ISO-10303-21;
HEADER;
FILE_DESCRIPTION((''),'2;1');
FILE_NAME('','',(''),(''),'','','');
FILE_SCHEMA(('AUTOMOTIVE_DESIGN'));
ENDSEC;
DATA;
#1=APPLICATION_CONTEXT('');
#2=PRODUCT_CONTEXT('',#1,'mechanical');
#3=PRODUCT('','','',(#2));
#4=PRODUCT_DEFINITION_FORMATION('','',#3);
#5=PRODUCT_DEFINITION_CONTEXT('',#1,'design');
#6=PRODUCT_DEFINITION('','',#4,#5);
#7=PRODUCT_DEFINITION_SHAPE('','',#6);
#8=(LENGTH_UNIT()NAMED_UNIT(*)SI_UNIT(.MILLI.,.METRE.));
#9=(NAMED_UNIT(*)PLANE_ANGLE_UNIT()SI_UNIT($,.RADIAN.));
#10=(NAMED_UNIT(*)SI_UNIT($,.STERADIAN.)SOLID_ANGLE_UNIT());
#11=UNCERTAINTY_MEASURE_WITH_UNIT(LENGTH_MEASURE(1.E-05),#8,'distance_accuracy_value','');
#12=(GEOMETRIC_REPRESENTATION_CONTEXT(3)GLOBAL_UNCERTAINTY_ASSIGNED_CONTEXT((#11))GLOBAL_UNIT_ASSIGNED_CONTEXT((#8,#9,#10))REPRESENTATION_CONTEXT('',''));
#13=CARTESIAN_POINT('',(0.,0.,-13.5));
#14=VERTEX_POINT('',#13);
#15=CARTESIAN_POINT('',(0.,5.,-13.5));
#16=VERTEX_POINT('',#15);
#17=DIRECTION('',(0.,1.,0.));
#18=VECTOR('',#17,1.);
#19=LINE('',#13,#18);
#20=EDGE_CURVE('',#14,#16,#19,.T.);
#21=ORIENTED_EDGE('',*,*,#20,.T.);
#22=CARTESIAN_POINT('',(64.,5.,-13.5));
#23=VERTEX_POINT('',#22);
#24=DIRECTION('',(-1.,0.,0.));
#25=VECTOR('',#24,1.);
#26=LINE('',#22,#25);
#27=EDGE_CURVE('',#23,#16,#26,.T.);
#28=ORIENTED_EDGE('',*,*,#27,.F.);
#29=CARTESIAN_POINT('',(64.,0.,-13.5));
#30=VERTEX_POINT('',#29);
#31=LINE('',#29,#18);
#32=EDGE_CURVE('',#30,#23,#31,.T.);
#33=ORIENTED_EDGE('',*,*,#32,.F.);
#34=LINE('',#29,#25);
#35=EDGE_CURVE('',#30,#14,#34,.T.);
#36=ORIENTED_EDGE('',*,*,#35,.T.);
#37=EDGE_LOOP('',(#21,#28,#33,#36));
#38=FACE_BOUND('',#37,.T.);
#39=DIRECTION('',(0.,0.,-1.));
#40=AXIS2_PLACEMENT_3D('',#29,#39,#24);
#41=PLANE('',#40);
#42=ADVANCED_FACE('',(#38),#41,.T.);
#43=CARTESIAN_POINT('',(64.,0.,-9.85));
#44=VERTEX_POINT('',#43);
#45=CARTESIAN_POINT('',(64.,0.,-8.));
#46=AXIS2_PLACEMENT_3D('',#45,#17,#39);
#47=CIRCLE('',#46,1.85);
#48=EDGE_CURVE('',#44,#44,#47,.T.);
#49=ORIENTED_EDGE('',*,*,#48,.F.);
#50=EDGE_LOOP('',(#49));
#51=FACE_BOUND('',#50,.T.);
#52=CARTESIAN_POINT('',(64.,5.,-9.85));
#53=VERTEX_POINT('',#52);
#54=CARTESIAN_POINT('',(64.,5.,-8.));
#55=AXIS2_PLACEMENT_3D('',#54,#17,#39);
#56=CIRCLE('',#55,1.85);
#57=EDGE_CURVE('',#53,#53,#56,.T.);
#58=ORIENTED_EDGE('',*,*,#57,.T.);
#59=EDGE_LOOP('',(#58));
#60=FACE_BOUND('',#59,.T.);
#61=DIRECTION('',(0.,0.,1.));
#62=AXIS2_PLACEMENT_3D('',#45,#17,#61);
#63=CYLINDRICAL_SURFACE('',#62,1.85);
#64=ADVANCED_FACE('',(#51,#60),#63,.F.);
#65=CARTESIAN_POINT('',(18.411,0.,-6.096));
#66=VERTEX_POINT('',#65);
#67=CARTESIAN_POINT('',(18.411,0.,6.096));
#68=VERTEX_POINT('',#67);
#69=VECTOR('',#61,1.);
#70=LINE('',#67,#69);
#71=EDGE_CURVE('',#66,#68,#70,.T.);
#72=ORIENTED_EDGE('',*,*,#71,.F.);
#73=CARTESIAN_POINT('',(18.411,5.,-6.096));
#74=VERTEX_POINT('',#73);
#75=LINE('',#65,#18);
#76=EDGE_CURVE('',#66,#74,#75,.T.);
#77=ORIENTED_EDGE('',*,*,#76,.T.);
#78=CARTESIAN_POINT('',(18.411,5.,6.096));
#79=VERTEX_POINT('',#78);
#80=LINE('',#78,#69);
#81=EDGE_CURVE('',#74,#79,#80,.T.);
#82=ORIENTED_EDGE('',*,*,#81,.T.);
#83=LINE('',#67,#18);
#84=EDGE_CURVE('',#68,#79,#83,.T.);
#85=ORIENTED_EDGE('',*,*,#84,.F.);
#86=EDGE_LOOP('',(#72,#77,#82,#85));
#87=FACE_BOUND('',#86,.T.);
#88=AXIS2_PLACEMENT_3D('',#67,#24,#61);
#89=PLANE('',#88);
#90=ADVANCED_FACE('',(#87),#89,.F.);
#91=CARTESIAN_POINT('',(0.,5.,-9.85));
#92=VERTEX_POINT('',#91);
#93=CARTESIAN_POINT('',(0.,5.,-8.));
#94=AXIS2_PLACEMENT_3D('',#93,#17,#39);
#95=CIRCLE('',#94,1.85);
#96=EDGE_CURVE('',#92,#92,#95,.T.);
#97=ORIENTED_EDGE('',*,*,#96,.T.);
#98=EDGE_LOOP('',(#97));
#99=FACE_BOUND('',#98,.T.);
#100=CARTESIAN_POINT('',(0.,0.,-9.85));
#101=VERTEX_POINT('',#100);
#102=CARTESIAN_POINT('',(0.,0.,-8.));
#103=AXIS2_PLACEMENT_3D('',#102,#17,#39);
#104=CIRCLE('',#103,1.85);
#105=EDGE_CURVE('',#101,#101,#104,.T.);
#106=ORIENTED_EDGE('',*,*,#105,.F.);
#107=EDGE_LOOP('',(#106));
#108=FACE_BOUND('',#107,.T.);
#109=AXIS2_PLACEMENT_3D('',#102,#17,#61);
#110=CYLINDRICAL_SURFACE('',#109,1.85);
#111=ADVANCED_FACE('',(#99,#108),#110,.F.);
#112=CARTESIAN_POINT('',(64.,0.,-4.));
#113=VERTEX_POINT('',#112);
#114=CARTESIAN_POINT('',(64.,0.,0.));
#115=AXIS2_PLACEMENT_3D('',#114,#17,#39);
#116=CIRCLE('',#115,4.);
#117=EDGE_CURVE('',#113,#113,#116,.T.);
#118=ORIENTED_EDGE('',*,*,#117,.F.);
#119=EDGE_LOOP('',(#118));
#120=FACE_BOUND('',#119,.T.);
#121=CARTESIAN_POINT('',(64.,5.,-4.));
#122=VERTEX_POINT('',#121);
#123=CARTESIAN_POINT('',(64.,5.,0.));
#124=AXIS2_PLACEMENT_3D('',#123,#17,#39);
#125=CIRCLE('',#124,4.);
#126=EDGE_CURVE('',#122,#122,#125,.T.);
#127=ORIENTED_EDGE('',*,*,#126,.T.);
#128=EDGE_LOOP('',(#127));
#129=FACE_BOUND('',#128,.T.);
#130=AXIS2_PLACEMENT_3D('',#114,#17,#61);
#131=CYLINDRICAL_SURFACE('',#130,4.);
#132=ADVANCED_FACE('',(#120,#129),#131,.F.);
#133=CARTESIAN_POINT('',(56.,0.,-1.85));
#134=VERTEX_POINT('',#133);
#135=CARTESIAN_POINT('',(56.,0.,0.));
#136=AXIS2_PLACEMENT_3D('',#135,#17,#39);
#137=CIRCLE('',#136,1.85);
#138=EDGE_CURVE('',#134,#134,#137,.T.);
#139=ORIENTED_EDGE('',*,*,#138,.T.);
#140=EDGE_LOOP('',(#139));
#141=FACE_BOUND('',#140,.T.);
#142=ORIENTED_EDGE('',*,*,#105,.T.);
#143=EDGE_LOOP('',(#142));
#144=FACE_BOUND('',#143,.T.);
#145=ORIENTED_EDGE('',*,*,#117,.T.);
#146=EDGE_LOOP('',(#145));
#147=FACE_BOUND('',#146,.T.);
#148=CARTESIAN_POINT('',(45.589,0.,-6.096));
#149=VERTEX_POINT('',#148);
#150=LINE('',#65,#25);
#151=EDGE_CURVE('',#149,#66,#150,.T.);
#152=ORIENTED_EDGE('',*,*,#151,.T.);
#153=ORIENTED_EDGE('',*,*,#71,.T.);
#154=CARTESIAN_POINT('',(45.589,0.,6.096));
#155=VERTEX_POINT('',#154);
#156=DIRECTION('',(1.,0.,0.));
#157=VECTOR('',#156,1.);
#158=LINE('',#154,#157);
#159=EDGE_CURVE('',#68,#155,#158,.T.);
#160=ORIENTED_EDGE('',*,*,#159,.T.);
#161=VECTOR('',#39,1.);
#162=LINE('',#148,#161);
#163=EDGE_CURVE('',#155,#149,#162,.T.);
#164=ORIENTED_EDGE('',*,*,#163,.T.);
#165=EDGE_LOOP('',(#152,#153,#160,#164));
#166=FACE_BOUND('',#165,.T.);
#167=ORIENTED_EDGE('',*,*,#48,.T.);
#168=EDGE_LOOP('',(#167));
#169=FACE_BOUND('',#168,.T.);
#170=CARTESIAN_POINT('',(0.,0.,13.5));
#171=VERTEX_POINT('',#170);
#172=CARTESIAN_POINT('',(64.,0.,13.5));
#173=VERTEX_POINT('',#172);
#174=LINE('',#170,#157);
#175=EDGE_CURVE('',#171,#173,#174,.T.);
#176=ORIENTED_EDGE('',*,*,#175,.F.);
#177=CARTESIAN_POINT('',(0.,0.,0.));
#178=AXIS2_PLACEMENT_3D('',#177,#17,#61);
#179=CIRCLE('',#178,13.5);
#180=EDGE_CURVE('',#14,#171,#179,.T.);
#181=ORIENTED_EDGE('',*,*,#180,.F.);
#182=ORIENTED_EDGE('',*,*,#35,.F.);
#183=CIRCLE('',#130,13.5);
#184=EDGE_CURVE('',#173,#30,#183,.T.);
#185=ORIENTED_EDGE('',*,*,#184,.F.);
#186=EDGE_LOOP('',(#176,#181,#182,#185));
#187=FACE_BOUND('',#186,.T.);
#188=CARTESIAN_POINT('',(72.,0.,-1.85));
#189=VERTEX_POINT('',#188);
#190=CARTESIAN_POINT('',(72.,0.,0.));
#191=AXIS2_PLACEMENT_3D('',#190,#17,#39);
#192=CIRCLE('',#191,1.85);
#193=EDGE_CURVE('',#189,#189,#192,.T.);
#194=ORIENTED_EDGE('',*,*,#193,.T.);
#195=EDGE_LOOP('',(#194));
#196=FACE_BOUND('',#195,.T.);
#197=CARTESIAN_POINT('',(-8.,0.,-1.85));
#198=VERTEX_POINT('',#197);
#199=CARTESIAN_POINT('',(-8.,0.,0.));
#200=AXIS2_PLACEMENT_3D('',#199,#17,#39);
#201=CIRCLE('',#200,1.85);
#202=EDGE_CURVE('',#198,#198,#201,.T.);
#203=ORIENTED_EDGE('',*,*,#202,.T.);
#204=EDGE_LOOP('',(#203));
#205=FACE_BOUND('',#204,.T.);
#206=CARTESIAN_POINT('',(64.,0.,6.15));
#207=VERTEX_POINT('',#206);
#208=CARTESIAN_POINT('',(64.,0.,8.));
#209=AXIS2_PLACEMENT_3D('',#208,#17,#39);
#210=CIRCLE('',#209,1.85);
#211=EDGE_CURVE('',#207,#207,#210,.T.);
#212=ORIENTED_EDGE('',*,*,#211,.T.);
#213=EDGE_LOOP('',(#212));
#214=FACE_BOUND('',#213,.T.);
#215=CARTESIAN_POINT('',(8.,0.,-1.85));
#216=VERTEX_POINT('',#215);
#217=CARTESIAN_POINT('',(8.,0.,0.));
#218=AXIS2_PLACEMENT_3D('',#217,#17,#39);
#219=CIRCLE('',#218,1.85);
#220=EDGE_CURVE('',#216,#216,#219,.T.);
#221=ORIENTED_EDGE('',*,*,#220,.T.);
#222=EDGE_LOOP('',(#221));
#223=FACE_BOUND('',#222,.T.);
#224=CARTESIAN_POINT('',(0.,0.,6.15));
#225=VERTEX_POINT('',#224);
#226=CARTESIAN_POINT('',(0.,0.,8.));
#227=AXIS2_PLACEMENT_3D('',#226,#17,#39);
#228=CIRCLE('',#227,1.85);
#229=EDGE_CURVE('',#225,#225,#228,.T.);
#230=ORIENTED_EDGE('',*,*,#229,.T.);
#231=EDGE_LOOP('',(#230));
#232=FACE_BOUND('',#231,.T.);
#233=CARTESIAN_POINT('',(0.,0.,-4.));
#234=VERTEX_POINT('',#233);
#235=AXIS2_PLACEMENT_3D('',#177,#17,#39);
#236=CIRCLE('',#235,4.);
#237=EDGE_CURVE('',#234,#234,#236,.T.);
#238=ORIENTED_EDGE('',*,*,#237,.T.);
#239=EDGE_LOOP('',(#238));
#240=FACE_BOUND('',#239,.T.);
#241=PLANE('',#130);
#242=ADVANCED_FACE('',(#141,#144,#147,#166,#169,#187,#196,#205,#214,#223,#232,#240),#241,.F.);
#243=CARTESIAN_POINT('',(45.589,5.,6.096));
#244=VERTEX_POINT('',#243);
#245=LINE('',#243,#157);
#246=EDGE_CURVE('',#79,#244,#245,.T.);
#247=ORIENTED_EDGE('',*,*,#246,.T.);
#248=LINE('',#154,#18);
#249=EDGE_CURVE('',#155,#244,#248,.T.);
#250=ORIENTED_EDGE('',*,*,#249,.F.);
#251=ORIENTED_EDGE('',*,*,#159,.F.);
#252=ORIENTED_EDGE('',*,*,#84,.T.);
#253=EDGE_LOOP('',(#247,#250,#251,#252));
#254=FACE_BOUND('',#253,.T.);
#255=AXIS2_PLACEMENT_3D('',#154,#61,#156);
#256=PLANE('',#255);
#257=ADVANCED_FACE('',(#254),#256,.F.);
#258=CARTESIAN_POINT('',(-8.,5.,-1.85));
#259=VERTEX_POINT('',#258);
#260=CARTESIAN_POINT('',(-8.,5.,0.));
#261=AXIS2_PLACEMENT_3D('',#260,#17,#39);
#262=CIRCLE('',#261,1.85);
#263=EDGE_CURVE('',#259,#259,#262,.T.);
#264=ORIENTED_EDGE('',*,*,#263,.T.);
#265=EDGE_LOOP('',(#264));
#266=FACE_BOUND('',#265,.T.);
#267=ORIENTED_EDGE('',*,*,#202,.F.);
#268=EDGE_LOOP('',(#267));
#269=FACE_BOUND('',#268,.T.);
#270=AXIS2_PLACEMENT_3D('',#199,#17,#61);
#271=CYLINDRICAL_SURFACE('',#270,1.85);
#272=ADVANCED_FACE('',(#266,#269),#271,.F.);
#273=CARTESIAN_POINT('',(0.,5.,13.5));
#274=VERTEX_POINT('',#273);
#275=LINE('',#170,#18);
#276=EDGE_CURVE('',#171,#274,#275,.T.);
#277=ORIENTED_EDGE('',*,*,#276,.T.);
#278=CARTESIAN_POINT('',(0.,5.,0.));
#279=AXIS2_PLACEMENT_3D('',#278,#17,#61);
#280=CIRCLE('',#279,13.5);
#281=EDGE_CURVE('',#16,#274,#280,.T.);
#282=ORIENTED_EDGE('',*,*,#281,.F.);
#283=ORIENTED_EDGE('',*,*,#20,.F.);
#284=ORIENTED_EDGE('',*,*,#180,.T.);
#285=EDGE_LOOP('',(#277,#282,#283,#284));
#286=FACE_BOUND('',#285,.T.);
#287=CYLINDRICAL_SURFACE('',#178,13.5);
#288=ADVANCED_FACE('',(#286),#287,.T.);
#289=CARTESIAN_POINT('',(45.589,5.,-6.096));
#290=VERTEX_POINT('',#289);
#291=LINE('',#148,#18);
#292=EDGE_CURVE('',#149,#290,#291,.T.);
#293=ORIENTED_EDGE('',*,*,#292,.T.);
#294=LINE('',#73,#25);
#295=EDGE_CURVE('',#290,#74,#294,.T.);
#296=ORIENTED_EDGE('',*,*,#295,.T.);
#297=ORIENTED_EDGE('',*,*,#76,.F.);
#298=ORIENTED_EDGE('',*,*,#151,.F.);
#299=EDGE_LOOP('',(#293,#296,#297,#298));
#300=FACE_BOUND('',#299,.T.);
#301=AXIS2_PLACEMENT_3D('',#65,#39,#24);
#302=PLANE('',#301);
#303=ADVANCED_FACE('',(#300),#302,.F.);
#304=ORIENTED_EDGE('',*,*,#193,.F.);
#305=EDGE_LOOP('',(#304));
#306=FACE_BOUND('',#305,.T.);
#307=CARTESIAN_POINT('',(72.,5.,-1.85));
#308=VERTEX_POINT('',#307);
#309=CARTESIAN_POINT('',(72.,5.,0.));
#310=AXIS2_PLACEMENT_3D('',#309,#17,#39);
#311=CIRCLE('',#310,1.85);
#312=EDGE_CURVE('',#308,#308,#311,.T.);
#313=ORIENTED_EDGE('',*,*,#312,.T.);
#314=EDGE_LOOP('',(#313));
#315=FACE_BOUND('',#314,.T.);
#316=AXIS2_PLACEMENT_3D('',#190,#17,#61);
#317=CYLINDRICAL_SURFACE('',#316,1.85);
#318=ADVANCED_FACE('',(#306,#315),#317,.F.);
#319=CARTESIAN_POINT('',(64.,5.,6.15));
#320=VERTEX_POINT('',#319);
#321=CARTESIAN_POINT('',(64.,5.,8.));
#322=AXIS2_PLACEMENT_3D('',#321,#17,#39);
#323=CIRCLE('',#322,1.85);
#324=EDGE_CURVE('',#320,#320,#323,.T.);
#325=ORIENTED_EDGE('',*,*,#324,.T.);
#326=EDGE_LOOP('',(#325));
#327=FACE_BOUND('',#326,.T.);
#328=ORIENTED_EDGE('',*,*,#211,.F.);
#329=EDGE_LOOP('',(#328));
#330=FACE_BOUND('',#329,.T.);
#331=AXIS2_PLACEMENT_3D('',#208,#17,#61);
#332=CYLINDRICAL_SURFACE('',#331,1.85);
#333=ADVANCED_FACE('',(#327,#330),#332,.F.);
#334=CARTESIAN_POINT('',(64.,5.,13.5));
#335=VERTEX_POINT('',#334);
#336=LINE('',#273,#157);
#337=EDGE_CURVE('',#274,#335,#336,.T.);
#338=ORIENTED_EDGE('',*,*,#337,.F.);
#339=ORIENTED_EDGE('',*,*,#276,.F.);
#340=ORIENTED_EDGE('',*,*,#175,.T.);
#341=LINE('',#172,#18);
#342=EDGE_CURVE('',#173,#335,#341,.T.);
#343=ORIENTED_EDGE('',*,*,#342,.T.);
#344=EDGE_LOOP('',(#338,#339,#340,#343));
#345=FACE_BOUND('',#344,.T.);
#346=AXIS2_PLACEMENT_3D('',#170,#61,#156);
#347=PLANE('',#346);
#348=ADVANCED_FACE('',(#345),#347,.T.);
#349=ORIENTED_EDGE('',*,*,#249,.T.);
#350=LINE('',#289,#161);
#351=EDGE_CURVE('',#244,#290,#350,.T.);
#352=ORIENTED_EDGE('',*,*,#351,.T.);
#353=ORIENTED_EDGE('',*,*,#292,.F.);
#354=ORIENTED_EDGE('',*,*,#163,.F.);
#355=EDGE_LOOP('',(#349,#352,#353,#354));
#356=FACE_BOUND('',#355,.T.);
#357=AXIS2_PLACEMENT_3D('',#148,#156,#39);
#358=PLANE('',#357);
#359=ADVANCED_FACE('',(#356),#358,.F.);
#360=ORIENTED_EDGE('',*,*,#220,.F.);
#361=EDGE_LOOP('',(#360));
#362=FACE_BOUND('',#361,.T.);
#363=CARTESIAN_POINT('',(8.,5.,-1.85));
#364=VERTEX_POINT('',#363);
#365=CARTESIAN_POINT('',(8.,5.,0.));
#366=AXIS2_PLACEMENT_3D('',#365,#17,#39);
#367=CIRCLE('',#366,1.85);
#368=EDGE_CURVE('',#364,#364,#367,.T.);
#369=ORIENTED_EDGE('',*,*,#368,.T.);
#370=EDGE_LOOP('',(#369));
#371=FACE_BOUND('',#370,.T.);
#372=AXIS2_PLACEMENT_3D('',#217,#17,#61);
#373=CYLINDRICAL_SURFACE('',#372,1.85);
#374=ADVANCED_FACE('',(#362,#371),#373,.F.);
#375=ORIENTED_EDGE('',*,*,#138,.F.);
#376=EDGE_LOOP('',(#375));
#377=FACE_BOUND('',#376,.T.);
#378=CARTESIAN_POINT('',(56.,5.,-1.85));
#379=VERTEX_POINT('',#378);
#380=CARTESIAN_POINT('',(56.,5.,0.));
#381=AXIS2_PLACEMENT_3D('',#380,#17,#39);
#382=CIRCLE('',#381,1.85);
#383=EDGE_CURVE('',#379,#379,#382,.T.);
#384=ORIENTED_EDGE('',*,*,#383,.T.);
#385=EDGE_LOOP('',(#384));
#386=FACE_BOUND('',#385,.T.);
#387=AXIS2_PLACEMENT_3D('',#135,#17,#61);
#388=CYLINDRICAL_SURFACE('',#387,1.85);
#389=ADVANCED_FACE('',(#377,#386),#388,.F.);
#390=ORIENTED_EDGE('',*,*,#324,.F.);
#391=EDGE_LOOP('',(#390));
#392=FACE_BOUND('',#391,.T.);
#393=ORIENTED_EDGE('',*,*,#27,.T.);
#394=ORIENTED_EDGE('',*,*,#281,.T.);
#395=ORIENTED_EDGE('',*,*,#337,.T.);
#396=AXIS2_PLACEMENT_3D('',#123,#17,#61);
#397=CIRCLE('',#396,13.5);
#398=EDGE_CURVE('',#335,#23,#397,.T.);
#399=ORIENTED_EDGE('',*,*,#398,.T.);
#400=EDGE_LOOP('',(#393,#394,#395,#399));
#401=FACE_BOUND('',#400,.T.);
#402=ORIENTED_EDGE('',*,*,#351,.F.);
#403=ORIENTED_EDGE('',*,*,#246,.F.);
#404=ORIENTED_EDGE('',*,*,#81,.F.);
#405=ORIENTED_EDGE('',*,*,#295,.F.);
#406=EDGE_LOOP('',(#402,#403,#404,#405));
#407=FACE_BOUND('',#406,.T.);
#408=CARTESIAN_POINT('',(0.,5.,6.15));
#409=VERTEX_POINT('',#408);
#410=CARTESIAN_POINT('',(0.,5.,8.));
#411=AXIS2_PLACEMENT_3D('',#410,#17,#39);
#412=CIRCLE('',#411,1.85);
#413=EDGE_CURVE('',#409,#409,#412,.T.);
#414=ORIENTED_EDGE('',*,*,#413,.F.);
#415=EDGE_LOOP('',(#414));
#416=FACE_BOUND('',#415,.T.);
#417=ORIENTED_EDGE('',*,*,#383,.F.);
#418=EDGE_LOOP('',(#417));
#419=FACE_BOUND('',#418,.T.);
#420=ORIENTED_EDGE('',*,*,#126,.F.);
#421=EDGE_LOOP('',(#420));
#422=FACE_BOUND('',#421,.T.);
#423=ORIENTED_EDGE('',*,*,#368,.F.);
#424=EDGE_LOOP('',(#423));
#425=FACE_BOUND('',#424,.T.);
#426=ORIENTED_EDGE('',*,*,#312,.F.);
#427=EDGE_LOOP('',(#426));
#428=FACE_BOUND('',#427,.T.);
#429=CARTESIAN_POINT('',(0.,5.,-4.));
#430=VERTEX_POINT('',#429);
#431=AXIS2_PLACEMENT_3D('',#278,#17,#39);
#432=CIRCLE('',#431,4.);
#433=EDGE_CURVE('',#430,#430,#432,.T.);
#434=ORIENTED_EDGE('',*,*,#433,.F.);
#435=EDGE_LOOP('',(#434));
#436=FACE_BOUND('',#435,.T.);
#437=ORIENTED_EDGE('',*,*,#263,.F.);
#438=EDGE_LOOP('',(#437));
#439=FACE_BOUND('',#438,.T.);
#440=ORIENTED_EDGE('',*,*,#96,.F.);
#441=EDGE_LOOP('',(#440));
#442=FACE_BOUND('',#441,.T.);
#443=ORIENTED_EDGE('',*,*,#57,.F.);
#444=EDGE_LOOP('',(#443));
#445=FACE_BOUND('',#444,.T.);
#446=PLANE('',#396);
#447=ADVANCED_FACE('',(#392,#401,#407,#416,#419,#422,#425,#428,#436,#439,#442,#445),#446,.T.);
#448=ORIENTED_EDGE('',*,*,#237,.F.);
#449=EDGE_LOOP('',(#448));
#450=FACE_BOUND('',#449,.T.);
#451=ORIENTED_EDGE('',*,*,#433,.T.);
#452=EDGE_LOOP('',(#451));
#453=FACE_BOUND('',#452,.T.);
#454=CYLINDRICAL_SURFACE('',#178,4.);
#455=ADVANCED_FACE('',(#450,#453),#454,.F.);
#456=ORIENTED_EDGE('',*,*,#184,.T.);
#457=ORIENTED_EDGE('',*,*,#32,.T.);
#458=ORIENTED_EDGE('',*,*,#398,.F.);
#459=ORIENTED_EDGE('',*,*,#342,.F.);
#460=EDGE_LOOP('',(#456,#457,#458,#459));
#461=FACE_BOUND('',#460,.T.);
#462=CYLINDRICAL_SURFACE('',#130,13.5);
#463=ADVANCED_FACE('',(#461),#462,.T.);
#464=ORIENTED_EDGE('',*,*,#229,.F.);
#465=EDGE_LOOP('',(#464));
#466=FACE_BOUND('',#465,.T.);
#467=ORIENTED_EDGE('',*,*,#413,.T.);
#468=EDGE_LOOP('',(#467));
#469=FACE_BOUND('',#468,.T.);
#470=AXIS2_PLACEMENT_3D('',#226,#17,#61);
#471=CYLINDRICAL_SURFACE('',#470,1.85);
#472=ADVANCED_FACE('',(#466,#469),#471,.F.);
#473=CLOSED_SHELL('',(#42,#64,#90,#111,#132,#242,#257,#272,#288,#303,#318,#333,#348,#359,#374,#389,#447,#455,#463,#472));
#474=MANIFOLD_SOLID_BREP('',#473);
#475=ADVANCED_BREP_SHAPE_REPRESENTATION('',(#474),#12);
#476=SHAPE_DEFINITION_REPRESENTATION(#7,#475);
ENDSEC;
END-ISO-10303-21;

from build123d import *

# Parameters (mm, degrees)
SKETCH1_R           = 1.85
SKETCH1_R_2         = 4
SKETCH1_W           = 27.178
SKETCH1_H           = 12.192
BOSS_EXTRUDE1_DEPTH = 5


with BuildPart() as part:
    # Sketch1 → Boss-Extrude1 (new body)
    with BuildSketch(Plane(origin=(0, 5, 0), x_dir=(1, 0, 0), z_dir=(0, 1, 0))):
        with BuildLine():
            Line((64, 13.5), (0, 13.5))
            ThreePointArc((0, 13.5), (-13.5, 0), (0, -13.5))
            Line((0, -13.5), (64, -13.5))
            ThreePointArc((64, -13.5), (77.5, 0), (64, 13.5))
        make_face()
        with Locations((56, 0)):
            Circle(SKETCH1_R, mode=Mode.SUBTRACT)
        with Locations((64, -8)):
            Circle(SKETCH1_R, mode=Mode.SUBTRACT)
        with Locations((72, 0)):
            Circle(SKETCH1_R, mode=Mode.SUBTRACT)
        with Locations((64, 8)):
            Circle(SKETCH1_R, mode=Mode.SUBTRACT)
        with Locations((64, 0)):
            Circle(SKETCH1_R_2, mode=Mode.SUBTRACT)
        with Locations((-8, 0)):
            Circle(SKETCH1_R, mode=Mode.SUBTRACT)
        with Locations((0, -8)):
            Circle(SKETCH1_R, mode=Mode.SUBTRACT)
        with Locations((8, 0)):
            Circle(SKETCH1_R, mode=Mode.SUBTRACT)
        with Locations((0, 8)):
            Circle(SKETCH1_R, mode=Mode.SUBTRACT)
        Circle(SKETCH1_R_2, mode=Mode.SUBTRACT)
        with Locations((32, 0)):
            Rectangle(SKETCH1_W, SKETCH1_H, mode=Mode.SUBTRACT)
    extrude(amount=-BOSS_EXTRUDE1_DEPTH)


solid = part.part
